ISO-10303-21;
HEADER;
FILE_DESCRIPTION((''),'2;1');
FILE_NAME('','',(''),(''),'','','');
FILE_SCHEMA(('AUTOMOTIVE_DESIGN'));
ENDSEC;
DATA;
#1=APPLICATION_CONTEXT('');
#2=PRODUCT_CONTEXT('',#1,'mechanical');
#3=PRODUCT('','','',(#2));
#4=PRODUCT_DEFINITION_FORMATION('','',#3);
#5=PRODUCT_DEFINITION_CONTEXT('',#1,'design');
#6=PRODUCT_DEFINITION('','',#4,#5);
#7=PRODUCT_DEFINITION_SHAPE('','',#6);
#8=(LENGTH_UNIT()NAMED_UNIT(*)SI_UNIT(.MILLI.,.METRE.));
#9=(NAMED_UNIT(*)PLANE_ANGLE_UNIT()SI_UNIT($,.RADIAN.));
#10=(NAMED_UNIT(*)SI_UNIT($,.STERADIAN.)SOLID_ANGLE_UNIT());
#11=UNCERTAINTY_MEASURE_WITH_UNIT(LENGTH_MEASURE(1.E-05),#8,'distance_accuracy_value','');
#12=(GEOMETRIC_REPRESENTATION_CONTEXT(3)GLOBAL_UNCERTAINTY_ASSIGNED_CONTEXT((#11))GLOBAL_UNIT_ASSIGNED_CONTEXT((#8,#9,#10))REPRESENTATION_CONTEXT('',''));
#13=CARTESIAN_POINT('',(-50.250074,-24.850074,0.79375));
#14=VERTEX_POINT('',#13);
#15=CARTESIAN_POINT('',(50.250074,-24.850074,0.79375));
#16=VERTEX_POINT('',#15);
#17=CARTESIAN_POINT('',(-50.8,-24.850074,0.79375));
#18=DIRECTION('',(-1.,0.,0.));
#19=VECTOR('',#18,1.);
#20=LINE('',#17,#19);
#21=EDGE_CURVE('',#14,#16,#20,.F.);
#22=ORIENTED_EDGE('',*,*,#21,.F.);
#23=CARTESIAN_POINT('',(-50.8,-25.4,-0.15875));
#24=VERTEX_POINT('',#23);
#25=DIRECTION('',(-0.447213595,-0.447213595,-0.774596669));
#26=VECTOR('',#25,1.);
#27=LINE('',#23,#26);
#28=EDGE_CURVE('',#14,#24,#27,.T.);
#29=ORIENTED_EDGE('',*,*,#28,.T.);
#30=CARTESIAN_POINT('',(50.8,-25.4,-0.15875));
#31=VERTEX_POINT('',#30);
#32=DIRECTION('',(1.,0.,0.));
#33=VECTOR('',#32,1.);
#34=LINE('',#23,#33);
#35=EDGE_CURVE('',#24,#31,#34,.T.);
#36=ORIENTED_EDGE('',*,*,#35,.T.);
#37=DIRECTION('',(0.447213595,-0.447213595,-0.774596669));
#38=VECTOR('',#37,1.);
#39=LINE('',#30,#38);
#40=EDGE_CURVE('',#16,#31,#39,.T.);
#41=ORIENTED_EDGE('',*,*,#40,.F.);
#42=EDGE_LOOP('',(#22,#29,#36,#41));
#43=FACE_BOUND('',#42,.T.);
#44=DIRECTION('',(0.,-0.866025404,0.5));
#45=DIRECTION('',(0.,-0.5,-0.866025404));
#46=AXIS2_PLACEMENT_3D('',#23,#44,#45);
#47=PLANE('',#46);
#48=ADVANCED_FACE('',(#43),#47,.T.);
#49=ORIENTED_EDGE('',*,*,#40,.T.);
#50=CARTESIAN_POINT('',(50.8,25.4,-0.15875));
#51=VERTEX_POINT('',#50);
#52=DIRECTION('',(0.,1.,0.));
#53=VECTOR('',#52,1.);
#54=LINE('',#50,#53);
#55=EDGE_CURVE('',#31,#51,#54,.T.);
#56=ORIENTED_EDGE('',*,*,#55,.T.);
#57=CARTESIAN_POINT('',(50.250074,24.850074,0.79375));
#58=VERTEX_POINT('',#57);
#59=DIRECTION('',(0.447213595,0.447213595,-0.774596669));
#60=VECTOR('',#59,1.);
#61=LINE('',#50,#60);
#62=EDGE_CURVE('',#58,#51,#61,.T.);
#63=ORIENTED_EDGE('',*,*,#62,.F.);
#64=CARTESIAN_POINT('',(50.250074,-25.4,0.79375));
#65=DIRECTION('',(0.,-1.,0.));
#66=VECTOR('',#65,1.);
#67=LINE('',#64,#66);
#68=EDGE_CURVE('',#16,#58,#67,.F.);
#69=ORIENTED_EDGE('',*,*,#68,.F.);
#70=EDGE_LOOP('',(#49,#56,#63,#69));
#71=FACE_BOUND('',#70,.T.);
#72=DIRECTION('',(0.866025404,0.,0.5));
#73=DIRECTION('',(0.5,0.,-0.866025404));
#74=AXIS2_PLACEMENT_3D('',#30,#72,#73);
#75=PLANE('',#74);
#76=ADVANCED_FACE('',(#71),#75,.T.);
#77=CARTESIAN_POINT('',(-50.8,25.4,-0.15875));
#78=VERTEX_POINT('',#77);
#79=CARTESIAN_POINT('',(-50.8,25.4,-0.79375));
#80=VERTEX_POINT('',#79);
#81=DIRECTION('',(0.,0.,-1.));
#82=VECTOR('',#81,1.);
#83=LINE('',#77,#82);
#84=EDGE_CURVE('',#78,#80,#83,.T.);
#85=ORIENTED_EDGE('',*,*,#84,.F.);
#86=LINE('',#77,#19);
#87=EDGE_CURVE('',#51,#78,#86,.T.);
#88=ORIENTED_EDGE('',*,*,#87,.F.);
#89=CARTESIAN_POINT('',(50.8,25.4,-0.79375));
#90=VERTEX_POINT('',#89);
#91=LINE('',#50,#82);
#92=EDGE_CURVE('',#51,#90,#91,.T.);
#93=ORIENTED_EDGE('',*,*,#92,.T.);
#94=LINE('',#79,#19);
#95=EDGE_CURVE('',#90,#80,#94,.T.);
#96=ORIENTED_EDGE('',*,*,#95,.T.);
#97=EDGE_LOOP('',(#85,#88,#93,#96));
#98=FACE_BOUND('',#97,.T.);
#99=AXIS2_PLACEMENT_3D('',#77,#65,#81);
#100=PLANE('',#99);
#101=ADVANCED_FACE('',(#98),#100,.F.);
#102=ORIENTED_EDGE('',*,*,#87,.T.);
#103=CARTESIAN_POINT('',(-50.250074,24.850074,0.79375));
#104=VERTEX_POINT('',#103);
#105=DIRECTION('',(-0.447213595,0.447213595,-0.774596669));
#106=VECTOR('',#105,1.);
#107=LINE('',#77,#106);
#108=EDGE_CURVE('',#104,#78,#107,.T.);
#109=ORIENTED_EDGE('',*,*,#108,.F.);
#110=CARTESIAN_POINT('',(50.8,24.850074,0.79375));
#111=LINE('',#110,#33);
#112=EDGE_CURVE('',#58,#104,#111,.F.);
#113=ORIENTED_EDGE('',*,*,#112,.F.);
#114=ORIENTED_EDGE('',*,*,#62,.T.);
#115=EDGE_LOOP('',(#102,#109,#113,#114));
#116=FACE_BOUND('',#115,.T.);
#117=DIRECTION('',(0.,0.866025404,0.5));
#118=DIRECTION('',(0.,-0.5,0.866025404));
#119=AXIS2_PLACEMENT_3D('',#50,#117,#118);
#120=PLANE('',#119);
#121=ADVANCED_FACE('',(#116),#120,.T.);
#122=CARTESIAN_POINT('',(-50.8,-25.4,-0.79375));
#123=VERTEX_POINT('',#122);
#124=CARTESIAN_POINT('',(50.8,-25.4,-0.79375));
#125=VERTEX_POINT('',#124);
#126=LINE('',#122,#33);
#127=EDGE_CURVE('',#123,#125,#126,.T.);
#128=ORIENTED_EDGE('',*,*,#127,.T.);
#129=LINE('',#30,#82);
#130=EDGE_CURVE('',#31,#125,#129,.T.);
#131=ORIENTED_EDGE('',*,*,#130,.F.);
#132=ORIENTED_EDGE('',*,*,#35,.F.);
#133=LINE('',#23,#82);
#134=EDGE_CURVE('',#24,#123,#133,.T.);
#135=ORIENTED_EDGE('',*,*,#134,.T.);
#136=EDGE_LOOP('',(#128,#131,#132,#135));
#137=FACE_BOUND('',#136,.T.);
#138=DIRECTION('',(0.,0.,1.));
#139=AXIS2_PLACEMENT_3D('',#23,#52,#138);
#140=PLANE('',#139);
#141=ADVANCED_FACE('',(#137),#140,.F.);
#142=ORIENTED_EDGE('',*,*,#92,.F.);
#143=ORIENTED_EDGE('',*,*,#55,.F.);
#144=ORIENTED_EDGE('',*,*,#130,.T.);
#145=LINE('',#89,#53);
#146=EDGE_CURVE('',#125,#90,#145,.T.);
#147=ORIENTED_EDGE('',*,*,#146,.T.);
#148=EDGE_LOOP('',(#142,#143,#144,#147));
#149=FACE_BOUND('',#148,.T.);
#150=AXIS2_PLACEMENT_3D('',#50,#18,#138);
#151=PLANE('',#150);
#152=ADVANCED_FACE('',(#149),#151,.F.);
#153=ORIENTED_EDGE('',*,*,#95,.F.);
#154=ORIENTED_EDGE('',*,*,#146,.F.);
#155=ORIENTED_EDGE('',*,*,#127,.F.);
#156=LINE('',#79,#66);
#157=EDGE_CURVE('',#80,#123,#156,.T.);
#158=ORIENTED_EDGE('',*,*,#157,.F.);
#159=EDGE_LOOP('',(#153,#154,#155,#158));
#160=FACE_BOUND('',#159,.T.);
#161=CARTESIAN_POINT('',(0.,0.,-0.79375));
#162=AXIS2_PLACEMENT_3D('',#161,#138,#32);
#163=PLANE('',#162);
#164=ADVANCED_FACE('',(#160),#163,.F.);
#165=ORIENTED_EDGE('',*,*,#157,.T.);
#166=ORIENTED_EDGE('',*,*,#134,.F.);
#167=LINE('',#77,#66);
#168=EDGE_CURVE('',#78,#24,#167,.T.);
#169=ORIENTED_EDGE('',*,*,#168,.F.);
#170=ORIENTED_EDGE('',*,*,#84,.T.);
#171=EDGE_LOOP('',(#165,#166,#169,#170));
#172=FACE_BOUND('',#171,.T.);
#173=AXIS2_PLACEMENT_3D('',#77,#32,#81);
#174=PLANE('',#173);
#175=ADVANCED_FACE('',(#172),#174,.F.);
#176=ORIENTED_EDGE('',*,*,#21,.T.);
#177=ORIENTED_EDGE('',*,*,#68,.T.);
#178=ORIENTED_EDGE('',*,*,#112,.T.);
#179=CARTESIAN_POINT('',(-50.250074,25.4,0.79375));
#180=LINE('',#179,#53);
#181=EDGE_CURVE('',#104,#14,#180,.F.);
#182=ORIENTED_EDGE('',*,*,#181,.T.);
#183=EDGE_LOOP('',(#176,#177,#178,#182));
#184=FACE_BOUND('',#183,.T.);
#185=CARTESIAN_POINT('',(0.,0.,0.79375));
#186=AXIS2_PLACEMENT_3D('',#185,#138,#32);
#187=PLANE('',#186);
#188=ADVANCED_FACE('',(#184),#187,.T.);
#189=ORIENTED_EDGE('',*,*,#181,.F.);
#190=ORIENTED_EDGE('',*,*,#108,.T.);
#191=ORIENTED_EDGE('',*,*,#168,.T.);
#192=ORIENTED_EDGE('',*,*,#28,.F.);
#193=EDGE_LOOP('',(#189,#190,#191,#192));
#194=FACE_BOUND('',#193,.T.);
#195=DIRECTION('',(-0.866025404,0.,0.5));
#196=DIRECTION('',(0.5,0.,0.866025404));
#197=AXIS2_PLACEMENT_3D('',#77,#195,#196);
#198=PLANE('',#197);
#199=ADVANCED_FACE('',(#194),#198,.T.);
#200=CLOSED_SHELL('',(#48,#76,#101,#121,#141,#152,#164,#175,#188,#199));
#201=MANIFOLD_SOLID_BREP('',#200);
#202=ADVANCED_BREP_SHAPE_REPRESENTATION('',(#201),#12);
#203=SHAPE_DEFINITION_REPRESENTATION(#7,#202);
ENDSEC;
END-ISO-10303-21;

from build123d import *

# Parameters (mm, degrees)
SKETCH3_W           = 101.6
SKETCH3_H           = 50.8
BOSS_EXTRUDE1_DEPTH = 0.635
SKETCH4_W           = 101.6
SKETCH4_H           = 50.8
BOSS_EXTRUDE2_DEPTH = 0.9525
BOSS_EXTRUDE2_TAPER = 30


with BuildPart() as part:
    # Sketch3 → Boss-Extrude1 (new body)
    with BuildSketch(Plane.XY.offset(-0.79375)):
        Rectangle(SKETCH3_W, SKETCH3_H)
    extrude(amount=BOSS_EXTRUDE1_DEPTH)

    # Sketch4 → Boss-Extrude2 (add)
    with BuildSketch(Plane.XY.offset(-0.15875)):
        Rectangle(SKETCH4_W, SKETCH4_H)
    extrude(amount=BOSS_EXTRUDE2_DEPTH, taper=BOSS_EXTRUDE2_TAPER)


solid = part.part
